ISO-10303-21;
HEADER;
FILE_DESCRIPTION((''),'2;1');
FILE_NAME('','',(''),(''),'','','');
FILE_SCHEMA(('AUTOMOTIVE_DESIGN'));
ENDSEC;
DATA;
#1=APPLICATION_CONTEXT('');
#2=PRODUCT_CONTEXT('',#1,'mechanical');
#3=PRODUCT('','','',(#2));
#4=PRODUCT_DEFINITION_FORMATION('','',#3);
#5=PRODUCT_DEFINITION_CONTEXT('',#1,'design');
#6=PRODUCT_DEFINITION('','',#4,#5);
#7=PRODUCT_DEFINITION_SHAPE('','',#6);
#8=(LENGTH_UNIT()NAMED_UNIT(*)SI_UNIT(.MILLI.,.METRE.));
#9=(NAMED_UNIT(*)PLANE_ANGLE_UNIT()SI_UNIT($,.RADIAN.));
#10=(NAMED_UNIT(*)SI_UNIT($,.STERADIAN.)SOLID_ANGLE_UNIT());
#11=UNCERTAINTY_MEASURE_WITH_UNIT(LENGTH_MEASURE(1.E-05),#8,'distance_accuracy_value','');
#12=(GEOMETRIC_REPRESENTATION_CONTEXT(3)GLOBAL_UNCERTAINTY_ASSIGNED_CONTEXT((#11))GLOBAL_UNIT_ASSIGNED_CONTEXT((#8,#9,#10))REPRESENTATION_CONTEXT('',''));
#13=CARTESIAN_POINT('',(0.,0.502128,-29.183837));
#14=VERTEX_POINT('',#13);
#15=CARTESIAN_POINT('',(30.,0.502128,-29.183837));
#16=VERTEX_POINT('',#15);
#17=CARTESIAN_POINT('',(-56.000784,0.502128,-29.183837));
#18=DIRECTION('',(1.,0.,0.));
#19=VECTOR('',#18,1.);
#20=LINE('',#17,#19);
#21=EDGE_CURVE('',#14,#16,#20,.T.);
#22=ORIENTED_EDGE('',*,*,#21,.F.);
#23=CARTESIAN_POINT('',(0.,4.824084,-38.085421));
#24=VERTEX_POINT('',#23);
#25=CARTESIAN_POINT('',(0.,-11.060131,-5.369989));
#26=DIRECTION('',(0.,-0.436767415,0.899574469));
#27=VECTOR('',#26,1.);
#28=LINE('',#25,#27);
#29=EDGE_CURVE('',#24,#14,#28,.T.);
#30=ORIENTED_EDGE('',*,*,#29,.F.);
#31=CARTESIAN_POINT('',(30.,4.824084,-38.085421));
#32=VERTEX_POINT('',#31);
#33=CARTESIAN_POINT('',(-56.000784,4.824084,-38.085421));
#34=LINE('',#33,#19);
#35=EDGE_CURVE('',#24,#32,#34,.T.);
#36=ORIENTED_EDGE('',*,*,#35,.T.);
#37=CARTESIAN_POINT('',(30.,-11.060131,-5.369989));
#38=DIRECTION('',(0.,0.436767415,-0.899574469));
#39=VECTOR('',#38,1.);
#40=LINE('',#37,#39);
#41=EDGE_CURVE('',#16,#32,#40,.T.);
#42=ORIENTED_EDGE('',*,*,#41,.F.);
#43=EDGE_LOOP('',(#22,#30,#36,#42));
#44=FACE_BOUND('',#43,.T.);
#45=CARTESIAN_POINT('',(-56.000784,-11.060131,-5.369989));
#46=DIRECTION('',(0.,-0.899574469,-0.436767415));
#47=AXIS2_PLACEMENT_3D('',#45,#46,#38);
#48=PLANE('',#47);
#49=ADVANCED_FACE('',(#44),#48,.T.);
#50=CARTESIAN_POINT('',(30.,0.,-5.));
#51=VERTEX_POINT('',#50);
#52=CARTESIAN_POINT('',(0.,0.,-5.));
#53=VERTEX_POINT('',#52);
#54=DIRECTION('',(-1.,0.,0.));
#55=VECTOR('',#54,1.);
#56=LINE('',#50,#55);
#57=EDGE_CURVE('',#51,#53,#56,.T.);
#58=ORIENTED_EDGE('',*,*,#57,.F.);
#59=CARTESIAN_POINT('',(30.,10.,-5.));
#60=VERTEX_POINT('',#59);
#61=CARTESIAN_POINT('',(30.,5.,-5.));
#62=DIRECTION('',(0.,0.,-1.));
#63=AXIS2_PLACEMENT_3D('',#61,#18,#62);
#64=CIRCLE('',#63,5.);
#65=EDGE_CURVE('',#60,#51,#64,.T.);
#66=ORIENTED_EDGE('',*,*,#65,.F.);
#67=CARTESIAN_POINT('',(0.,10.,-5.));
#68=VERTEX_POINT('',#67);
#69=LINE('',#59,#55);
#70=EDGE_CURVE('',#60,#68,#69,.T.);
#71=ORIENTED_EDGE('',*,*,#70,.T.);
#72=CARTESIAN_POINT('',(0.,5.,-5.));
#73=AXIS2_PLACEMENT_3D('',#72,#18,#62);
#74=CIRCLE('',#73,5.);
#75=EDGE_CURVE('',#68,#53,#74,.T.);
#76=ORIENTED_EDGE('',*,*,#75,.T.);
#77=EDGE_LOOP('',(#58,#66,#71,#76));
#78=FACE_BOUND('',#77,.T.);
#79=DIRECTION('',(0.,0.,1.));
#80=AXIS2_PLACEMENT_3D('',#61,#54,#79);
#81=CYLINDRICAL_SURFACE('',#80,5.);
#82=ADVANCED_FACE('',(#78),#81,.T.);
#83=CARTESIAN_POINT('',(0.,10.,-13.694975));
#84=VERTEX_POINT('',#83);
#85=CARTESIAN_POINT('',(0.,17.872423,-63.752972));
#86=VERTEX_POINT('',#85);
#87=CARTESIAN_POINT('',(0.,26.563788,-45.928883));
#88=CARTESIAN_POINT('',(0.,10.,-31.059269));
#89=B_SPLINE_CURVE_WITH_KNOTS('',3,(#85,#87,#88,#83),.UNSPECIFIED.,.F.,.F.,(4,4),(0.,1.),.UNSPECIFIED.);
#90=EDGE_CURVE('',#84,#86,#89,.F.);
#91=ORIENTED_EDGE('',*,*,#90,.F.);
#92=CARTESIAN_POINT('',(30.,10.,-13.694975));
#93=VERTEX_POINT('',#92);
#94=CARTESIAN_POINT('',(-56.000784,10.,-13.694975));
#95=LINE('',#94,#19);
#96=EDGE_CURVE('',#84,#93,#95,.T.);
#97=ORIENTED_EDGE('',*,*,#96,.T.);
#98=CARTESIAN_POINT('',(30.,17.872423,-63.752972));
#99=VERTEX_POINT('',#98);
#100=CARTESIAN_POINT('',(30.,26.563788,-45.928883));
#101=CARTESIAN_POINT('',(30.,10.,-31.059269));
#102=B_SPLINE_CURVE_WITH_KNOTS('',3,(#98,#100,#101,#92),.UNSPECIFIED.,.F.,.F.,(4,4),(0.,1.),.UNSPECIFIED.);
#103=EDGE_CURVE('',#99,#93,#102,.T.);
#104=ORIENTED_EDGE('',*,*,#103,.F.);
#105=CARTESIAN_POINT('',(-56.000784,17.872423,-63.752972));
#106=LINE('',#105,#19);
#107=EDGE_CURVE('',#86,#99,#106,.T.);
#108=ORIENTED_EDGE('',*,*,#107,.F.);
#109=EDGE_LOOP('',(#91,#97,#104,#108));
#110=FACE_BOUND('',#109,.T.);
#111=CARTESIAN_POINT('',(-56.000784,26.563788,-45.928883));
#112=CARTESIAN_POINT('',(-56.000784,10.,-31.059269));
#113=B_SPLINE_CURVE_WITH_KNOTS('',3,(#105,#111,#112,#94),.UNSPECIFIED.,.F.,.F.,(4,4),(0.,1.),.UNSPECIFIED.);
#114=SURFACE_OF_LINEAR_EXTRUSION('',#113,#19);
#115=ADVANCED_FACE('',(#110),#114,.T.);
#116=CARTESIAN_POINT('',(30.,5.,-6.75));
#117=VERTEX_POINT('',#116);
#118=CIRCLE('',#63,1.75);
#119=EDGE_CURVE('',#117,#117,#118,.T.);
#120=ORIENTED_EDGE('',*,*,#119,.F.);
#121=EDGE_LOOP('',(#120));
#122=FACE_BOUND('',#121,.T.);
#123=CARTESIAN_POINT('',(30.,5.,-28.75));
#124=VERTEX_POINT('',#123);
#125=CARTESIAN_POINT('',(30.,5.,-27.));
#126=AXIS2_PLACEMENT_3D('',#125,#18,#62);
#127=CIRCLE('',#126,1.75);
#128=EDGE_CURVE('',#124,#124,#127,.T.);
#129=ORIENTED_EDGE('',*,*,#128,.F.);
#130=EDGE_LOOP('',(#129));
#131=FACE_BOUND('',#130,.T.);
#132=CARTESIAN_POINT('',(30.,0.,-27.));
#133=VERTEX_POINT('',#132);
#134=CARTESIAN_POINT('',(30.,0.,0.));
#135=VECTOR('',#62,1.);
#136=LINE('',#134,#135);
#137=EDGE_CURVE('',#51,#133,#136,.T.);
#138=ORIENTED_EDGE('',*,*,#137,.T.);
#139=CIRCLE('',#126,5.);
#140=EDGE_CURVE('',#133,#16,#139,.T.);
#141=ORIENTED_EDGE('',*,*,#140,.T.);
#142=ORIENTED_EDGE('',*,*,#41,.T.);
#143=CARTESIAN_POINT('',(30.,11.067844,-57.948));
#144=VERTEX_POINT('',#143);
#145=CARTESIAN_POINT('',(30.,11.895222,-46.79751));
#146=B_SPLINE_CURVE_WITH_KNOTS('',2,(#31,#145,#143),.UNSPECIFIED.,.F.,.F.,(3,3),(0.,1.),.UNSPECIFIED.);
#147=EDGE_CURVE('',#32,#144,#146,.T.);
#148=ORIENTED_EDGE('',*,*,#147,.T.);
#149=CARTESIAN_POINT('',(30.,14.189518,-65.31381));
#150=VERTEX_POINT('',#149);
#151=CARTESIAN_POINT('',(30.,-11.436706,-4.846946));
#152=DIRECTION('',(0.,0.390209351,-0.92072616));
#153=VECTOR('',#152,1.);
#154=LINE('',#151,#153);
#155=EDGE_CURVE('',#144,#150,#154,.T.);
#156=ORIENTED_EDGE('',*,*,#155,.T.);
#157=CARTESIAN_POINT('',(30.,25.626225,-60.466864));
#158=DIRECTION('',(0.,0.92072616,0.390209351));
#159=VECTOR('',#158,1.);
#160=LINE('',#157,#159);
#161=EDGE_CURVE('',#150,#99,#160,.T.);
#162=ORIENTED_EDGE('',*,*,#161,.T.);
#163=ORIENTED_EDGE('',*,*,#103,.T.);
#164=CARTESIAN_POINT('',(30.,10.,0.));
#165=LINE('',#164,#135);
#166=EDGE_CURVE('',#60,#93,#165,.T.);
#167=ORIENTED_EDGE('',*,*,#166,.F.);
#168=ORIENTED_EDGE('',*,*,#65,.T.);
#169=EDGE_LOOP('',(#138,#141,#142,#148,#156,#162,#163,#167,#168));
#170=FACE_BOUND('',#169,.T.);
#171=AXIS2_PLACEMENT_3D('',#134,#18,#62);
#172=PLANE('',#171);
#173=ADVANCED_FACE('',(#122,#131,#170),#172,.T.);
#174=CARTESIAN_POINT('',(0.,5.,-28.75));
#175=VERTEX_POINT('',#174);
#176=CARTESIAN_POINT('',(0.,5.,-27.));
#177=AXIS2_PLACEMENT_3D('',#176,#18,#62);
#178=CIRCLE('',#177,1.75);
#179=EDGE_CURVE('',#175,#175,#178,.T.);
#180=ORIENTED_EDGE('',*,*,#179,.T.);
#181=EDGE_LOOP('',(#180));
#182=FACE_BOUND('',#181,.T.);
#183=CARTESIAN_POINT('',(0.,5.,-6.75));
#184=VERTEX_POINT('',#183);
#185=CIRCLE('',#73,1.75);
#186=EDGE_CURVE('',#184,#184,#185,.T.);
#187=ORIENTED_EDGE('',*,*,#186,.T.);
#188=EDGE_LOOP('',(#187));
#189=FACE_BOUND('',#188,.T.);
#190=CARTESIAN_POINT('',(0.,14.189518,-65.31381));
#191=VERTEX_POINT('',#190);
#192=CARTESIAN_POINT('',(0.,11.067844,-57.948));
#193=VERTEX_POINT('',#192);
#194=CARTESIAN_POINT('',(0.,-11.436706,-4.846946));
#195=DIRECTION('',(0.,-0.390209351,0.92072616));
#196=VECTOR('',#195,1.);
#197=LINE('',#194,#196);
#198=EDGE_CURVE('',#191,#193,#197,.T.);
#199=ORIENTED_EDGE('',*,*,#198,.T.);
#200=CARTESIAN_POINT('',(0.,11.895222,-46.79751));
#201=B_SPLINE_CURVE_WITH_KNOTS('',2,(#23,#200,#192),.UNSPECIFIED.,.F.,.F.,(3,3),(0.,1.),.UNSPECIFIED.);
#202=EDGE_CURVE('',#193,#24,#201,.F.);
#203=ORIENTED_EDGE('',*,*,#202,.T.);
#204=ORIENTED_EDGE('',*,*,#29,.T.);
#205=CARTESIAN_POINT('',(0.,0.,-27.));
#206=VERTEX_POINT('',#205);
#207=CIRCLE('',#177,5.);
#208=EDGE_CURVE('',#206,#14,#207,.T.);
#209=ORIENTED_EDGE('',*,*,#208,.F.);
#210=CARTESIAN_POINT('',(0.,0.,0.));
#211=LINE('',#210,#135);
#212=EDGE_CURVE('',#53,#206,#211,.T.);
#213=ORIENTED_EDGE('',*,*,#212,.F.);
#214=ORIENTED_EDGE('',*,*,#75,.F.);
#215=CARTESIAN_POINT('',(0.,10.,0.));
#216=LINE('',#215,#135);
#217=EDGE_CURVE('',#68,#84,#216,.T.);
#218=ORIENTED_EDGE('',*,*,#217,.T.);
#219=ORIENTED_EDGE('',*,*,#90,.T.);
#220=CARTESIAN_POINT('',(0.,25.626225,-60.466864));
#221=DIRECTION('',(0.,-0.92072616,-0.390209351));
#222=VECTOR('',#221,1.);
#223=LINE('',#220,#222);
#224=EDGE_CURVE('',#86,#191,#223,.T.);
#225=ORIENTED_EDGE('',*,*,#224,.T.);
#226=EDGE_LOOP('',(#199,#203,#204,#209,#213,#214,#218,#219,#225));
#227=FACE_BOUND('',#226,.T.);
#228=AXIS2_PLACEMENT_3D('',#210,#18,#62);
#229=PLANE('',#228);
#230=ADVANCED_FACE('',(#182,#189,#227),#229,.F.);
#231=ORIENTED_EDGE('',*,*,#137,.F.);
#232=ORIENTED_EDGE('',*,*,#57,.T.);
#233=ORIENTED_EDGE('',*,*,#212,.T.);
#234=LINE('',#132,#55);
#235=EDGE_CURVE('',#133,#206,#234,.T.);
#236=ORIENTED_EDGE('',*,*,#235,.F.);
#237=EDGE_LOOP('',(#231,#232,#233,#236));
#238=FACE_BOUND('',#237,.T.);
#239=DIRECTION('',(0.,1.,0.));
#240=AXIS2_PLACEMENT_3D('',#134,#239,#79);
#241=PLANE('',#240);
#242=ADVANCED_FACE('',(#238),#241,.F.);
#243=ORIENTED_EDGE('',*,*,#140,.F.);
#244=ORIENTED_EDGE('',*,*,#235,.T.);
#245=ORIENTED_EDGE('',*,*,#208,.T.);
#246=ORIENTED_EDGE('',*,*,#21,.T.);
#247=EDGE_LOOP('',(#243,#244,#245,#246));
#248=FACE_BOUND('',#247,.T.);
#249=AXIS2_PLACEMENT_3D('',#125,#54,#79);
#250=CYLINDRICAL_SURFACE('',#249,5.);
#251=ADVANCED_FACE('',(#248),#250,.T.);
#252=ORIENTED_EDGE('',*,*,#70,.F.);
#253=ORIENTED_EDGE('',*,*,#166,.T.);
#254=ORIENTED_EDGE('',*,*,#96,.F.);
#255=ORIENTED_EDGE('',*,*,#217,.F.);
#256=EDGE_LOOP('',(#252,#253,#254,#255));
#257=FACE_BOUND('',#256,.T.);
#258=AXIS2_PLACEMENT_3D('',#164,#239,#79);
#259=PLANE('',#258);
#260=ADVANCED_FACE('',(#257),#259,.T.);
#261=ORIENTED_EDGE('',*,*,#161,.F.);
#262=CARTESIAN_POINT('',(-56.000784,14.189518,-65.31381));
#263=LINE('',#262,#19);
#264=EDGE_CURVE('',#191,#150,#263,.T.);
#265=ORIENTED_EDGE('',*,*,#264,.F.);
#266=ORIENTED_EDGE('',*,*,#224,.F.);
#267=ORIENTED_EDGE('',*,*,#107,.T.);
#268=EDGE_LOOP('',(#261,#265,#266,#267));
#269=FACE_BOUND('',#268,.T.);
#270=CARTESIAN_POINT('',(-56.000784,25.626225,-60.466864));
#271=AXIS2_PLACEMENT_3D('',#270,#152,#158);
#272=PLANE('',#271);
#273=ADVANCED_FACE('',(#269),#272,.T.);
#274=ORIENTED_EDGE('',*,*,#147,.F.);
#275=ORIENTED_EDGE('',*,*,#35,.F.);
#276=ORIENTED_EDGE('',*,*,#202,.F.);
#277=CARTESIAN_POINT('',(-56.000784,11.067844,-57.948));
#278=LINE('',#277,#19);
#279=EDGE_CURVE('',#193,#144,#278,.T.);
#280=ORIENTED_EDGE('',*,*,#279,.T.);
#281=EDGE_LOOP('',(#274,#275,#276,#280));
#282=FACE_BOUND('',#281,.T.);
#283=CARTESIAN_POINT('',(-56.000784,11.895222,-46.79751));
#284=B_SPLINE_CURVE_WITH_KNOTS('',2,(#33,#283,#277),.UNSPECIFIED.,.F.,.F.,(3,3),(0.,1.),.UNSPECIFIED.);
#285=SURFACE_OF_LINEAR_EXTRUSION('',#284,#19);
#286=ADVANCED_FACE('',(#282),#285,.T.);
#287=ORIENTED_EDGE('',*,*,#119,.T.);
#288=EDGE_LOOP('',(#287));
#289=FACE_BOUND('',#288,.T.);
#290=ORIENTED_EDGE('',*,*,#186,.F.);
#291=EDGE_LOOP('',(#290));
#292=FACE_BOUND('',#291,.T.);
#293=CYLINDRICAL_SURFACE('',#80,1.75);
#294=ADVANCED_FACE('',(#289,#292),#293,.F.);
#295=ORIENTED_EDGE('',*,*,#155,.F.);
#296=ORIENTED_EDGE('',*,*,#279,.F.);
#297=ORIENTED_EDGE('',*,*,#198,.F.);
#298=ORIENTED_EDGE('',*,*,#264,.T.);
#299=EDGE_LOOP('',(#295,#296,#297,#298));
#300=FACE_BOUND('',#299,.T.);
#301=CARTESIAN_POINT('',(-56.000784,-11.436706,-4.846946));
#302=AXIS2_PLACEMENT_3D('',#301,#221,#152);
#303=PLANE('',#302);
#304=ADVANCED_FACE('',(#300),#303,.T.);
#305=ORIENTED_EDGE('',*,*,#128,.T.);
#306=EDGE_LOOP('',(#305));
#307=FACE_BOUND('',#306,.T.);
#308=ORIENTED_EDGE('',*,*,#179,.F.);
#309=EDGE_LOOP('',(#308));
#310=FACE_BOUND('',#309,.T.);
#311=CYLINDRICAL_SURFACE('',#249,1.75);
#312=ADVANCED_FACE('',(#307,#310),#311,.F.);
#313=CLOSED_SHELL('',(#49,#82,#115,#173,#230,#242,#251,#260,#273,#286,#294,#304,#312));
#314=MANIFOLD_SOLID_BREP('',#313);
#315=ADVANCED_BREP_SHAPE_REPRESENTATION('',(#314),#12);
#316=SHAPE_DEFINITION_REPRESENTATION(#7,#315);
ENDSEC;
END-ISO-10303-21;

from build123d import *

# Parameters (mm, degrees)
SKETCH1_R           = 1.75
BOSS_EXTRUDE1_DEPTH = 30
BOSS_EXTRUDE2_START = -30
BOSS_EXTRUDE2_DEPTH = 30


with BuildPart() as part:
    # Sketch1 → Boss-Extrude1 (new body)
    with BuildSketch(Plane(origin=(0, 0, 0), x_dir=(0, 0, -1), z_dir=(1, 0, 0))):
        with BuildLine():
            Line((27, 10), (5, 10))
            ThreePointArc((5, 10), (0, 5), (5, 0))
            Line((5, 0), (27, 0))
            ThreePointArc((27, 0), (32, 5), (27, 10))
        make_face()
        with Locations((5, 5)):
            Circle(SKETCH1_R, mode=Mode.SUBTRACT)
        with Locations((27, 5)):
            Circle(SKETCH1_R, mode=Mode.SUBTRACT)
    extrude(amount=BOSS_EXTRUDE1_DEPTH)

    # Sketch2 → Boss-Extrude2 (add)
    with BuildSketch(Plane(origin=(30, 0, 0), x_dir=(0, 0, -1), z_dir=(1, 0, 0)).offset(BOSS_EXTRUDE2_START)):
        with BuildLine():
            add(Edge.make_bspline(
                [(63.752972286, 17.872423117), (45.928882678, 26.563787963), (31.059268621, 10), (13.694974759, 10)],
                knots=[0, 0, 0, 0, 1, 1, 1, 1], degree=3))
            Line((13.694974759, 10), (27, 10))
            ThreePointArc((27, 10), (31.87285141, 6.120410255), (29.183837075, 0.502127655))
            Line((29.183837075, 0.502127655), (38.08542066, 4.824084077))
            add(Edge.make_bspline(
                [(38.08542066, 4.824084077), (46.797509509, 11.895222457), (57.948000409, 11.067843667)],
                knots=[0, 0, 0, 1, 1, 1], degree=2))
            Line((57.948000409, 11.067843667), (65.313809691, 14.189518476))
            Line((65.313809691, 14.189518476), (63.752972286, 17.872423117))
        make_face()
    extrude(amount=BOSS_EXTRUDE2_DEPTH)


solid = part.part
